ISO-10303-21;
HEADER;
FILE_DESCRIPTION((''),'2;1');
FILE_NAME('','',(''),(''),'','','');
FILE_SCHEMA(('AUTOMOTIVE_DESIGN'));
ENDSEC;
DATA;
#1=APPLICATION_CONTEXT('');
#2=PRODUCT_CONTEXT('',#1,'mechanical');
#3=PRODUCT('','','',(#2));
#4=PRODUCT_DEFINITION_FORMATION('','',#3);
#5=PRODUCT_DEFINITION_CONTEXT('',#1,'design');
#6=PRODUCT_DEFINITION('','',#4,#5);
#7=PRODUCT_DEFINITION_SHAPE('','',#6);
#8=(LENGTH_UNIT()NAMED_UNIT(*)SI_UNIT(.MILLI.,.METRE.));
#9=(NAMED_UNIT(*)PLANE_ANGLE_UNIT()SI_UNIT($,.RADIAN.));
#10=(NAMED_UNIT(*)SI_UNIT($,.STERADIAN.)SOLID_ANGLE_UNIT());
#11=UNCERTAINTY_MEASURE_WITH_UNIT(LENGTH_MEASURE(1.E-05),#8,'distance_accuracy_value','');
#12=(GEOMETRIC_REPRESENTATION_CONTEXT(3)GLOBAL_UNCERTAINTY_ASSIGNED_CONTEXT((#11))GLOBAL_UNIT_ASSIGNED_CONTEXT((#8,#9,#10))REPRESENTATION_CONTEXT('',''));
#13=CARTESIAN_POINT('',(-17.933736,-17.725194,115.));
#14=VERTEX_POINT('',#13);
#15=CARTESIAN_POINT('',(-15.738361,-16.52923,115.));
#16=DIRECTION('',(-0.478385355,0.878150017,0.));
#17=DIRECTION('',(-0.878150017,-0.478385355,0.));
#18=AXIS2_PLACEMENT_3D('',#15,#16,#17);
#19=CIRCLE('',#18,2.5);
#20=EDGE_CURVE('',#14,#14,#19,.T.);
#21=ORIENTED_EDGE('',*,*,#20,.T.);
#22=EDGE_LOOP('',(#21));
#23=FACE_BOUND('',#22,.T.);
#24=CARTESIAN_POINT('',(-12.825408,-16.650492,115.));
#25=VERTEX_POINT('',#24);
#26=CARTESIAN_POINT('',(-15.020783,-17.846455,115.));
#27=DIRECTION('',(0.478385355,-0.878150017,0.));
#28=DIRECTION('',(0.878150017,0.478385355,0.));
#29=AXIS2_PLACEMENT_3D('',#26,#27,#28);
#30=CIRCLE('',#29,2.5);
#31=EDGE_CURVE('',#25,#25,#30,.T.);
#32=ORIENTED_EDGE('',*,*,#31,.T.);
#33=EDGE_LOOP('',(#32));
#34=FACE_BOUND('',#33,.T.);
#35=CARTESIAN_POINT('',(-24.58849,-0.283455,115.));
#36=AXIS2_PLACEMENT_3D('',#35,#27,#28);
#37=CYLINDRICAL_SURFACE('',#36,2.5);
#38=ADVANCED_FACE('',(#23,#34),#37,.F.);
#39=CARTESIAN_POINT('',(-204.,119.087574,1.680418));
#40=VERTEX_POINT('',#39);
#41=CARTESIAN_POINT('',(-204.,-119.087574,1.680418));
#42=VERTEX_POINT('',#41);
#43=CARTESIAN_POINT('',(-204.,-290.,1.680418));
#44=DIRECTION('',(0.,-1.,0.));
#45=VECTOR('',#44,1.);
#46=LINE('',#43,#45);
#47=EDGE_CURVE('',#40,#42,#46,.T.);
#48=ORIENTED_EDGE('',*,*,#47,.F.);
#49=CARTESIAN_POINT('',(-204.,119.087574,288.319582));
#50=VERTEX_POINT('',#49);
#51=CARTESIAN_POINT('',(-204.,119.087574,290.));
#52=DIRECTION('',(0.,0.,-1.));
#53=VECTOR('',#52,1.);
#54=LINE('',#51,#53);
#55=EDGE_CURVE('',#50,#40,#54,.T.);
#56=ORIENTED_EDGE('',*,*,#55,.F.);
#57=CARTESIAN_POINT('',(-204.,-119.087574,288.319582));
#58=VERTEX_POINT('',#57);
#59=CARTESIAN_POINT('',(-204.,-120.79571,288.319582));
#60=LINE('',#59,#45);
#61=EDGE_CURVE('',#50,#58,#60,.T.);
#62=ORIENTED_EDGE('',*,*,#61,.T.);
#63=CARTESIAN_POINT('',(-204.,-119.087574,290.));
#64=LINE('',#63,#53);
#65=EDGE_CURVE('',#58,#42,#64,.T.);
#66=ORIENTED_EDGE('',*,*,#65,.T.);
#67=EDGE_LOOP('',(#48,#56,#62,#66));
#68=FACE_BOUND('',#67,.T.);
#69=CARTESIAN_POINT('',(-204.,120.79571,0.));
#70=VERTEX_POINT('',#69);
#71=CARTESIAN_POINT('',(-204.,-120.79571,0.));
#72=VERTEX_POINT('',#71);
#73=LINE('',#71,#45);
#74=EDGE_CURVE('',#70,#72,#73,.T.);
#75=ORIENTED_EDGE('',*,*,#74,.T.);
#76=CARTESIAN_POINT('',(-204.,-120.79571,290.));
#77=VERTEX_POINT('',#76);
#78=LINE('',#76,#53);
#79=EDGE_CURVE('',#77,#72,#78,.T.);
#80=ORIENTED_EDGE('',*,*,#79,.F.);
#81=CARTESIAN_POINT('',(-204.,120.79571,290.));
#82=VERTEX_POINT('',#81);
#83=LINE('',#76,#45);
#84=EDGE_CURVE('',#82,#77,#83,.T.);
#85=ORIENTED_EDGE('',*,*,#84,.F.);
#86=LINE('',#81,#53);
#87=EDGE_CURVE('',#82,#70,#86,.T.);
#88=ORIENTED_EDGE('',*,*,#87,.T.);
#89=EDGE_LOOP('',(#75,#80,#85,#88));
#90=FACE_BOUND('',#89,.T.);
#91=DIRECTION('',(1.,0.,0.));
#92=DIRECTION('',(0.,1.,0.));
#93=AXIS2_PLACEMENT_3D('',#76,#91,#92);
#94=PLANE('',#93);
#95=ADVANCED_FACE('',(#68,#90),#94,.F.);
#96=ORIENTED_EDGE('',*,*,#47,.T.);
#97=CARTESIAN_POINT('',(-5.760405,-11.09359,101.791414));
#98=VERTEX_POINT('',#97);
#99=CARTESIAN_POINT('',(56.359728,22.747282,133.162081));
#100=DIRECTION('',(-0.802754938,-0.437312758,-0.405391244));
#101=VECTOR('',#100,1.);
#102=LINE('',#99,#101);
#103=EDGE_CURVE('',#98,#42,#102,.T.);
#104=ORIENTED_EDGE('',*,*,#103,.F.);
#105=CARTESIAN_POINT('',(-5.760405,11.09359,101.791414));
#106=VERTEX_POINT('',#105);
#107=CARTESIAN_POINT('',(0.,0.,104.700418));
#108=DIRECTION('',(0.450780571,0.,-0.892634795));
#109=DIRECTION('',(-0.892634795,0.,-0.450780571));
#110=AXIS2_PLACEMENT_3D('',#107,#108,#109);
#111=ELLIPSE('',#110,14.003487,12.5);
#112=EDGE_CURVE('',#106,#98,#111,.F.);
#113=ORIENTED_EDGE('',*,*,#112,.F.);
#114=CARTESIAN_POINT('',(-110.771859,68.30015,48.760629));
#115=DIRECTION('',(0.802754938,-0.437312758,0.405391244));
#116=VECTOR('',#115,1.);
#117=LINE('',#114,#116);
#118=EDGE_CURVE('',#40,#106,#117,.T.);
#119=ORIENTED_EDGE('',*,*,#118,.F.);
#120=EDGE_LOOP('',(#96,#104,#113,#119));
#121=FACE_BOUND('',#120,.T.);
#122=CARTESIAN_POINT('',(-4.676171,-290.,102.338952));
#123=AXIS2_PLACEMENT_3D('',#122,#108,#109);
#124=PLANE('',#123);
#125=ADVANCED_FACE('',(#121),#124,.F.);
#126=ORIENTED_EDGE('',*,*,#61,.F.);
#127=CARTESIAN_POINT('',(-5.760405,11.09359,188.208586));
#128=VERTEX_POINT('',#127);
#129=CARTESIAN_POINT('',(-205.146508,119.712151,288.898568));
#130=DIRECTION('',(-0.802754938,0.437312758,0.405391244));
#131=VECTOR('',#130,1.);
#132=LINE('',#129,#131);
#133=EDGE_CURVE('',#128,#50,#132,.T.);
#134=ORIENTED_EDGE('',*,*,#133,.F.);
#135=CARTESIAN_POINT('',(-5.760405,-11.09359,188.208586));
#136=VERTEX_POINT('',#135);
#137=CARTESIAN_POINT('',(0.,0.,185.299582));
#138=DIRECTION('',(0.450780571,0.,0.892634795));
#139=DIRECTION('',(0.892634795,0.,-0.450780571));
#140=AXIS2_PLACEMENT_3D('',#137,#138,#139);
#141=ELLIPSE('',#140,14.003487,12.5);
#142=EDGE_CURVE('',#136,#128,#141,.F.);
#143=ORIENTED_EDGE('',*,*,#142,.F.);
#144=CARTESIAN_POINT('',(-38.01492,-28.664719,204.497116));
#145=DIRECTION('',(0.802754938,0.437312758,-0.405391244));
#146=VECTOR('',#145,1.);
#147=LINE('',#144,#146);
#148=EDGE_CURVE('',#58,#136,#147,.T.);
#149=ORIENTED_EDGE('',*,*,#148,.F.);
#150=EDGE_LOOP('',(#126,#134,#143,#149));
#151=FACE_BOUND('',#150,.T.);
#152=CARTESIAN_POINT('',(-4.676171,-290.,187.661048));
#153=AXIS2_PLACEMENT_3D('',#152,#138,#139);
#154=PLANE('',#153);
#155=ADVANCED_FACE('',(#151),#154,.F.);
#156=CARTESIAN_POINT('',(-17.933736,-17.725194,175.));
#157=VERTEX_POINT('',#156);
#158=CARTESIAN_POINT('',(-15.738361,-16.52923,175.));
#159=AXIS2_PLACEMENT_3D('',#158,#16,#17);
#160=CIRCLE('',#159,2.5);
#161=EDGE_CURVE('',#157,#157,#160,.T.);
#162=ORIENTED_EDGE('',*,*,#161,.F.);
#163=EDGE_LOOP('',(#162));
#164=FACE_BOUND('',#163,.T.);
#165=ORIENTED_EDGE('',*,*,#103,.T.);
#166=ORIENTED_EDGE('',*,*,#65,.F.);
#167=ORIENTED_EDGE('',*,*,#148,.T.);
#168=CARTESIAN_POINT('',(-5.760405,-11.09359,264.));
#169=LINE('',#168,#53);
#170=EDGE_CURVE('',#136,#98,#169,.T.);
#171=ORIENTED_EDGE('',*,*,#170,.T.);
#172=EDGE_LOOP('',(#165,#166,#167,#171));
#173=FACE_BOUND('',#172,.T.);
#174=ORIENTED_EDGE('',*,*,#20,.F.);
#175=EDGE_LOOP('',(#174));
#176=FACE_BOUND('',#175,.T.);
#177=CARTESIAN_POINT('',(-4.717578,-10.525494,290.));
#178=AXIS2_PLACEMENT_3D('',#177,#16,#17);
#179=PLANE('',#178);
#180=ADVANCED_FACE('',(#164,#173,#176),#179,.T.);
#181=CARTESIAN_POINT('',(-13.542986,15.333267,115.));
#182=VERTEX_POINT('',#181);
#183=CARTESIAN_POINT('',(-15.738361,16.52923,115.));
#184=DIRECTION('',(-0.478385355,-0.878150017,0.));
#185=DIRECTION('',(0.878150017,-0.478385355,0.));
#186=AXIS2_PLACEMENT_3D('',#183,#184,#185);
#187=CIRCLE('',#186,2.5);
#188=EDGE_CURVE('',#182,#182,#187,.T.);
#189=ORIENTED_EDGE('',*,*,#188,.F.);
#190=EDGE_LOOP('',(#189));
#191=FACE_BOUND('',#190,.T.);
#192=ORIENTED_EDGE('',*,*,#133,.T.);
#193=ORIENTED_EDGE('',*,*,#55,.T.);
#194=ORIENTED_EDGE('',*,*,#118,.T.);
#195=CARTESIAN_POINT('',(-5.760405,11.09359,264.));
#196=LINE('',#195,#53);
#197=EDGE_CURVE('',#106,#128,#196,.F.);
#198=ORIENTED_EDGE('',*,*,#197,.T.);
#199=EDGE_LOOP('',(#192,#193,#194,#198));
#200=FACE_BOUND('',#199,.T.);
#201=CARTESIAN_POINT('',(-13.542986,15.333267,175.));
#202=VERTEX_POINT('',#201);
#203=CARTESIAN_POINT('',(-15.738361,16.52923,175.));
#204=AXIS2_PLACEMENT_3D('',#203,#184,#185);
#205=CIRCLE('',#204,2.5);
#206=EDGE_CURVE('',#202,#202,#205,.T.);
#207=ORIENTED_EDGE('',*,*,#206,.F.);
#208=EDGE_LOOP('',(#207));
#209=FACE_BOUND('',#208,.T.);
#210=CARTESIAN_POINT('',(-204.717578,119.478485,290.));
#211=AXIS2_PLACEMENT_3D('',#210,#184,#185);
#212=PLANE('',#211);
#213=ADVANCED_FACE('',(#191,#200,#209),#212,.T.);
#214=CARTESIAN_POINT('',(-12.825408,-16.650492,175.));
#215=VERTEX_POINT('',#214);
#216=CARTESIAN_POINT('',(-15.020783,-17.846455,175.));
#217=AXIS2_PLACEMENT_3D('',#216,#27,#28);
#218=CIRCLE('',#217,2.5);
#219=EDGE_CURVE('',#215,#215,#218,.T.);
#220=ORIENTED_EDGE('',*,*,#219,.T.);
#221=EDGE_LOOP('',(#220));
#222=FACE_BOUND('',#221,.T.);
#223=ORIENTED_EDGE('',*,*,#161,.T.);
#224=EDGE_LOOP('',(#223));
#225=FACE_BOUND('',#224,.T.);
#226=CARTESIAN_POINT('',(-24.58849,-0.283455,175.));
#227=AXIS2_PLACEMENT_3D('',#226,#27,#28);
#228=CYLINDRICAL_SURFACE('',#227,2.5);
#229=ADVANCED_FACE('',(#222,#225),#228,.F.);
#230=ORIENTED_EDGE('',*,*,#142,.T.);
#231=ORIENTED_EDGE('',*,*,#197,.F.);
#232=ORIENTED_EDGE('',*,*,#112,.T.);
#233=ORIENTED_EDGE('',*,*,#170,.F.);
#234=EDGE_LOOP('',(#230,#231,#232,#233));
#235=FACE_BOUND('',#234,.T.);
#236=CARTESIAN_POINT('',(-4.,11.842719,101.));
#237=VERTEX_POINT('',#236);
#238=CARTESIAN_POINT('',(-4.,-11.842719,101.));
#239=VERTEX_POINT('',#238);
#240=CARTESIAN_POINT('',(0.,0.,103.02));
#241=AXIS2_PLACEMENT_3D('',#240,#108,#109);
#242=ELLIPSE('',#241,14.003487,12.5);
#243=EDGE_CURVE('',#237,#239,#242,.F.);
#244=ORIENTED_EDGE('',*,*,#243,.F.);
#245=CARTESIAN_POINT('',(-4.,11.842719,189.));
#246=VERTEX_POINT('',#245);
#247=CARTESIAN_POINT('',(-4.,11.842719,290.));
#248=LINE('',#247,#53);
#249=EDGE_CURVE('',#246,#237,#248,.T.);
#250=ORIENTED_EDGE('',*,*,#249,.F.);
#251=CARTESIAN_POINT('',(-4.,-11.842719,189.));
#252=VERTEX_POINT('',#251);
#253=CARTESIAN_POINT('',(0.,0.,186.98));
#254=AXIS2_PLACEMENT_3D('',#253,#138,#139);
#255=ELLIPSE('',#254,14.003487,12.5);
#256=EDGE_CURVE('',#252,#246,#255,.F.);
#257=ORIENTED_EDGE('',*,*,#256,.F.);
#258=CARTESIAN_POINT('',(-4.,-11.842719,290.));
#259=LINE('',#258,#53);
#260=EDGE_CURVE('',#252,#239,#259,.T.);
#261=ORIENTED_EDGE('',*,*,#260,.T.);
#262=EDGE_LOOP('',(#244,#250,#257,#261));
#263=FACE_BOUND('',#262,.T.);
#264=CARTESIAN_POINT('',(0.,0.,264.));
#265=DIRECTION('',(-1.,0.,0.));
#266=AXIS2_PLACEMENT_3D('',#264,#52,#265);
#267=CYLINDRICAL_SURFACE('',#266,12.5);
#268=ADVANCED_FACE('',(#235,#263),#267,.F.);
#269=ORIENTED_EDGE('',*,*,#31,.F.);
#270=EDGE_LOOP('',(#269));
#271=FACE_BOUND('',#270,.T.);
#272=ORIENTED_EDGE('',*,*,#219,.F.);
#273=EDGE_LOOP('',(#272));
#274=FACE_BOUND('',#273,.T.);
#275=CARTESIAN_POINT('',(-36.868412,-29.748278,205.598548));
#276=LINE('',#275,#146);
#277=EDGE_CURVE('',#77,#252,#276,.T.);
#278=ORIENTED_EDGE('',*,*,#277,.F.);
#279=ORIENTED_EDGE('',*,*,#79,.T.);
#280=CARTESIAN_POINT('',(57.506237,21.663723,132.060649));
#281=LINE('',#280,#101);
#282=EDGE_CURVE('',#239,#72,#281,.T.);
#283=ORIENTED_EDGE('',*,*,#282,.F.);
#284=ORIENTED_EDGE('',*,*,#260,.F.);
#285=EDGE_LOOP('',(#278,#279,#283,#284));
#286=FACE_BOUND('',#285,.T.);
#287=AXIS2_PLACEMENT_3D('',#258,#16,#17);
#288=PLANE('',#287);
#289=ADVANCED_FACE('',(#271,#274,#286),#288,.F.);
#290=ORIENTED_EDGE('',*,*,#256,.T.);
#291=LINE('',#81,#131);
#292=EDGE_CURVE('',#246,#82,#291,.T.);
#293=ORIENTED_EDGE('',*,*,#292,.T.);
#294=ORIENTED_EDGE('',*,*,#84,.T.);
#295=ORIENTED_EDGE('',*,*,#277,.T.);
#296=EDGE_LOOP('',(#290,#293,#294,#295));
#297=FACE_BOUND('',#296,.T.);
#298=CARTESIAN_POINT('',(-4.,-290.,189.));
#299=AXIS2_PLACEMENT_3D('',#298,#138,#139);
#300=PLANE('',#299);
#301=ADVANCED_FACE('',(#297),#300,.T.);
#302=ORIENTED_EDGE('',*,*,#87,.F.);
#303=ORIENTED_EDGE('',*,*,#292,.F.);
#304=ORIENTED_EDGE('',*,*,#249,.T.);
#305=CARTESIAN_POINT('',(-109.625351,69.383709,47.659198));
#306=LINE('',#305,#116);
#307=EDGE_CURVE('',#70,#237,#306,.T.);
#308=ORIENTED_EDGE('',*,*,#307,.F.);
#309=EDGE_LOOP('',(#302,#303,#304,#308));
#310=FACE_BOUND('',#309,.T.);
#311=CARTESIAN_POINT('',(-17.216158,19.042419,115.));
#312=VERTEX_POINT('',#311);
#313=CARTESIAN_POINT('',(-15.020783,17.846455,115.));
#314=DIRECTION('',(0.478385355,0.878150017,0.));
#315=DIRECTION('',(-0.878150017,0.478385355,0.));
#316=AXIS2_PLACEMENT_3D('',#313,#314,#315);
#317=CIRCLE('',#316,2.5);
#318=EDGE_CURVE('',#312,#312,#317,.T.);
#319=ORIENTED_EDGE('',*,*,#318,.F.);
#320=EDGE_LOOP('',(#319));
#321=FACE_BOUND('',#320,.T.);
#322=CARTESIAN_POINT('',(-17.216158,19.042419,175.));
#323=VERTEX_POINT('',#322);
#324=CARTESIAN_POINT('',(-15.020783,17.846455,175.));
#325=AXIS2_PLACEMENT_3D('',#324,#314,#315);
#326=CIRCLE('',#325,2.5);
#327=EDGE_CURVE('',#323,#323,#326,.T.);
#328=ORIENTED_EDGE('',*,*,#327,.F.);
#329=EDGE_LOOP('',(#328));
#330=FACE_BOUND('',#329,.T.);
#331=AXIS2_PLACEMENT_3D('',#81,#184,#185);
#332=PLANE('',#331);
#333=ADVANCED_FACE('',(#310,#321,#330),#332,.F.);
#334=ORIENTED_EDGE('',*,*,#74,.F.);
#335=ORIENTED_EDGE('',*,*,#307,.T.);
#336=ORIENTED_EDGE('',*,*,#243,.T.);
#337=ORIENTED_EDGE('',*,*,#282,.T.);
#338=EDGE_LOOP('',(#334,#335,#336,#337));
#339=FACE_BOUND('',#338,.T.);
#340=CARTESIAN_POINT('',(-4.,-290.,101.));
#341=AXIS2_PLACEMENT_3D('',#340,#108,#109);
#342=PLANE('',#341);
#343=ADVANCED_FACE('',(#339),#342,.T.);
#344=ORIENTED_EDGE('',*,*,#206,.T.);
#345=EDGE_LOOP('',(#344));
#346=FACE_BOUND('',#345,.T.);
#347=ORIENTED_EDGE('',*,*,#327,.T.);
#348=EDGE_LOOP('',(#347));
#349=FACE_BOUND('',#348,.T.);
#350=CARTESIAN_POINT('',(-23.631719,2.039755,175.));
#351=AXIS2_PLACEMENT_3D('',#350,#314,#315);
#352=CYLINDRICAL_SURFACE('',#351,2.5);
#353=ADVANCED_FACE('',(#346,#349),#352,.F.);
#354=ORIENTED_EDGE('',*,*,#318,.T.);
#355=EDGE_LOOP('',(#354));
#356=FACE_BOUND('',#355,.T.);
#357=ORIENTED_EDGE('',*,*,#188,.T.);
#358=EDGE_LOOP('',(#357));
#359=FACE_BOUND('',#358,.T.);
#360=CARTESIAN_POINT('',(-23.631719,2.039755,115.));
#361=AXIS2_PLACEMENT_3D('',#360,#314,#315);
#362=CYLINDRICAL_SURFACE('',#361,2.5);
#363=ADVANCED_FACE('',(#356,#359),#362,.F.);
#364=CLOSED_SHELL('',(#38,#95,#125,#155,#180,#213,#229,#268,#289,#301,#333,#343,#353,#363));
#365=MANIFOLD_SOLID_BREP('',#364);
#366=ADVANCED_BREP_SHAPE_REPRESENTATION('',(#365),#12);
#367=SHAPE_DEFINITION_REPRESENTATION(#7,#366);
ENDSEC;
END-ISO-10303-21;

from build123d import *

# Parameters (mm, degrees)
BOSS_EXTRUDE1_DEPTH     = 290
CUT_EXTRUDE1_DEPTH      = 290
CUT_EXTRUDE1_DEPTH_BACK = 290
SHELL3_T                = -1.5
SKETCH3_R               = 2.5
CUT_EXTRUDE2_DEPTH      = 20
SKETCH4_R               = 2.5
CUT_EXTRUDE3_DEPTH      = 18
CUT_EXTRUDE4_DEPTH      = 119
CUT_EXTRUDE4_DEPTH_BACK = 128


with BuildPart() as part:
    # Sketch1 → Boss-Extrude1 (new body)
    with BuildSketch(Plane.XY):
        with BuildLine():
            Line((-4, -11.842719282), (-204, -120.795710387))
            Line((-204, -120.795710387), (-204, 120.795710387))
            Line((-204, 120.795710387), (-4, 11.842719282))
            Line((-4, 11.842719282), (-4, 8.61684397))
            ThreePointArc((-4, 8.61684397), (-9.5, 0), (-4, -8.61684397))
            Line((-4, -8.61684397), (-4, -11.842719282))
        make_face()
    extrude(amount=BOSS_EXTRUDE1_DEPTH)

    # Sketch2 → Cut-Extrude1 (cut, two sides: drawn at the far end of the back side and taken through both)
    with BuildSketch(Plane(origin=(0, 0, 0), x_dir=(-1, 0, 0), z_dir=(0, -1, 0)).offset(-CUT_EXTRUDE1_DEPTH_BACK)):
        Polygon((4, -189), (204, -290), (4, -290), align=None)
        Polygon((4, -101), (204, 0), (4, 0), align=None)
    extrude(amount=CUT_EXTRUDE1_DEPTH + CUT_EXTRUDE1_DEPTH_BACK, mode=Mode.SUBTRACT)

    # Shell3
    shell3_openings = [part.faces().sort_by_distance(p)[0] for p in [
        (-9.5, 0, 145),
        (-204, 0, 145),
    ]]
    offset(amount=SHELL3_T, openings=shell3_openings, kind=Kind.INTERSECTION)

    # Sketch3 → Cut-Extrude2 (cut)
    with BuildSketch(Plane(origin=(4.059646396, -7.452106372, 0), x_dir=(-0.8781500169152763, -0.47838535490930323, 0), z_dir=(0.4783853549093033, -0.8781500169152764, 0))):
        with Locations((21.727983535, -175)):
            Circle(SKETCH3_R)
        with Locations((21.727983535, -115)):
            Circle(SKETCH3_R)
    extrude(amount=-CUT_EXTRUDE2_DEPTH, mode=Mode.SUBTRACT)

    # Sketch4 → Cut-Extrude3 (cut)
    with BuildSketch(Plane(origin=(4.059646396, 7.452106372, 0), x_dir=(0.8781500169152766, -0.47838535490930256, 0), z_dir=(0.47838535490930256, 0.8781500169152766, 0))):
        with Locations((-21.727983535, -115)):
            Circle(SKETCH4_R)
        with Locations((-21.727983535, -175)):
            Circle(SKETCH4_R)
    extrude(amount=-CUT_EXTRUDE3_DEPTH, mode=Mode.SUBTRACT)

    # Sketch6 → Cut-Extrude4 (cut, two sides: drawn at the far end of the back side and taken through both)
    with BuildSketch(Plane.XY.offset(145).offset(-CUT_EXTRUDE4_DEPTH_BACK)):
        with BuildLine():
            Line((-4, 11.842719282), (-4, -11.842719282))
            ThreePointArc((-4, -11.842719282), (-12.5, 0), (-4, 11.842719282))
        make_face()
    extrude(amount=CUT_EXTRUDE4_DEPTH + CUT_EXTRUDE4_DEPTH_BACK, mode=Mode.SUBTRACT)


solid = part.part
